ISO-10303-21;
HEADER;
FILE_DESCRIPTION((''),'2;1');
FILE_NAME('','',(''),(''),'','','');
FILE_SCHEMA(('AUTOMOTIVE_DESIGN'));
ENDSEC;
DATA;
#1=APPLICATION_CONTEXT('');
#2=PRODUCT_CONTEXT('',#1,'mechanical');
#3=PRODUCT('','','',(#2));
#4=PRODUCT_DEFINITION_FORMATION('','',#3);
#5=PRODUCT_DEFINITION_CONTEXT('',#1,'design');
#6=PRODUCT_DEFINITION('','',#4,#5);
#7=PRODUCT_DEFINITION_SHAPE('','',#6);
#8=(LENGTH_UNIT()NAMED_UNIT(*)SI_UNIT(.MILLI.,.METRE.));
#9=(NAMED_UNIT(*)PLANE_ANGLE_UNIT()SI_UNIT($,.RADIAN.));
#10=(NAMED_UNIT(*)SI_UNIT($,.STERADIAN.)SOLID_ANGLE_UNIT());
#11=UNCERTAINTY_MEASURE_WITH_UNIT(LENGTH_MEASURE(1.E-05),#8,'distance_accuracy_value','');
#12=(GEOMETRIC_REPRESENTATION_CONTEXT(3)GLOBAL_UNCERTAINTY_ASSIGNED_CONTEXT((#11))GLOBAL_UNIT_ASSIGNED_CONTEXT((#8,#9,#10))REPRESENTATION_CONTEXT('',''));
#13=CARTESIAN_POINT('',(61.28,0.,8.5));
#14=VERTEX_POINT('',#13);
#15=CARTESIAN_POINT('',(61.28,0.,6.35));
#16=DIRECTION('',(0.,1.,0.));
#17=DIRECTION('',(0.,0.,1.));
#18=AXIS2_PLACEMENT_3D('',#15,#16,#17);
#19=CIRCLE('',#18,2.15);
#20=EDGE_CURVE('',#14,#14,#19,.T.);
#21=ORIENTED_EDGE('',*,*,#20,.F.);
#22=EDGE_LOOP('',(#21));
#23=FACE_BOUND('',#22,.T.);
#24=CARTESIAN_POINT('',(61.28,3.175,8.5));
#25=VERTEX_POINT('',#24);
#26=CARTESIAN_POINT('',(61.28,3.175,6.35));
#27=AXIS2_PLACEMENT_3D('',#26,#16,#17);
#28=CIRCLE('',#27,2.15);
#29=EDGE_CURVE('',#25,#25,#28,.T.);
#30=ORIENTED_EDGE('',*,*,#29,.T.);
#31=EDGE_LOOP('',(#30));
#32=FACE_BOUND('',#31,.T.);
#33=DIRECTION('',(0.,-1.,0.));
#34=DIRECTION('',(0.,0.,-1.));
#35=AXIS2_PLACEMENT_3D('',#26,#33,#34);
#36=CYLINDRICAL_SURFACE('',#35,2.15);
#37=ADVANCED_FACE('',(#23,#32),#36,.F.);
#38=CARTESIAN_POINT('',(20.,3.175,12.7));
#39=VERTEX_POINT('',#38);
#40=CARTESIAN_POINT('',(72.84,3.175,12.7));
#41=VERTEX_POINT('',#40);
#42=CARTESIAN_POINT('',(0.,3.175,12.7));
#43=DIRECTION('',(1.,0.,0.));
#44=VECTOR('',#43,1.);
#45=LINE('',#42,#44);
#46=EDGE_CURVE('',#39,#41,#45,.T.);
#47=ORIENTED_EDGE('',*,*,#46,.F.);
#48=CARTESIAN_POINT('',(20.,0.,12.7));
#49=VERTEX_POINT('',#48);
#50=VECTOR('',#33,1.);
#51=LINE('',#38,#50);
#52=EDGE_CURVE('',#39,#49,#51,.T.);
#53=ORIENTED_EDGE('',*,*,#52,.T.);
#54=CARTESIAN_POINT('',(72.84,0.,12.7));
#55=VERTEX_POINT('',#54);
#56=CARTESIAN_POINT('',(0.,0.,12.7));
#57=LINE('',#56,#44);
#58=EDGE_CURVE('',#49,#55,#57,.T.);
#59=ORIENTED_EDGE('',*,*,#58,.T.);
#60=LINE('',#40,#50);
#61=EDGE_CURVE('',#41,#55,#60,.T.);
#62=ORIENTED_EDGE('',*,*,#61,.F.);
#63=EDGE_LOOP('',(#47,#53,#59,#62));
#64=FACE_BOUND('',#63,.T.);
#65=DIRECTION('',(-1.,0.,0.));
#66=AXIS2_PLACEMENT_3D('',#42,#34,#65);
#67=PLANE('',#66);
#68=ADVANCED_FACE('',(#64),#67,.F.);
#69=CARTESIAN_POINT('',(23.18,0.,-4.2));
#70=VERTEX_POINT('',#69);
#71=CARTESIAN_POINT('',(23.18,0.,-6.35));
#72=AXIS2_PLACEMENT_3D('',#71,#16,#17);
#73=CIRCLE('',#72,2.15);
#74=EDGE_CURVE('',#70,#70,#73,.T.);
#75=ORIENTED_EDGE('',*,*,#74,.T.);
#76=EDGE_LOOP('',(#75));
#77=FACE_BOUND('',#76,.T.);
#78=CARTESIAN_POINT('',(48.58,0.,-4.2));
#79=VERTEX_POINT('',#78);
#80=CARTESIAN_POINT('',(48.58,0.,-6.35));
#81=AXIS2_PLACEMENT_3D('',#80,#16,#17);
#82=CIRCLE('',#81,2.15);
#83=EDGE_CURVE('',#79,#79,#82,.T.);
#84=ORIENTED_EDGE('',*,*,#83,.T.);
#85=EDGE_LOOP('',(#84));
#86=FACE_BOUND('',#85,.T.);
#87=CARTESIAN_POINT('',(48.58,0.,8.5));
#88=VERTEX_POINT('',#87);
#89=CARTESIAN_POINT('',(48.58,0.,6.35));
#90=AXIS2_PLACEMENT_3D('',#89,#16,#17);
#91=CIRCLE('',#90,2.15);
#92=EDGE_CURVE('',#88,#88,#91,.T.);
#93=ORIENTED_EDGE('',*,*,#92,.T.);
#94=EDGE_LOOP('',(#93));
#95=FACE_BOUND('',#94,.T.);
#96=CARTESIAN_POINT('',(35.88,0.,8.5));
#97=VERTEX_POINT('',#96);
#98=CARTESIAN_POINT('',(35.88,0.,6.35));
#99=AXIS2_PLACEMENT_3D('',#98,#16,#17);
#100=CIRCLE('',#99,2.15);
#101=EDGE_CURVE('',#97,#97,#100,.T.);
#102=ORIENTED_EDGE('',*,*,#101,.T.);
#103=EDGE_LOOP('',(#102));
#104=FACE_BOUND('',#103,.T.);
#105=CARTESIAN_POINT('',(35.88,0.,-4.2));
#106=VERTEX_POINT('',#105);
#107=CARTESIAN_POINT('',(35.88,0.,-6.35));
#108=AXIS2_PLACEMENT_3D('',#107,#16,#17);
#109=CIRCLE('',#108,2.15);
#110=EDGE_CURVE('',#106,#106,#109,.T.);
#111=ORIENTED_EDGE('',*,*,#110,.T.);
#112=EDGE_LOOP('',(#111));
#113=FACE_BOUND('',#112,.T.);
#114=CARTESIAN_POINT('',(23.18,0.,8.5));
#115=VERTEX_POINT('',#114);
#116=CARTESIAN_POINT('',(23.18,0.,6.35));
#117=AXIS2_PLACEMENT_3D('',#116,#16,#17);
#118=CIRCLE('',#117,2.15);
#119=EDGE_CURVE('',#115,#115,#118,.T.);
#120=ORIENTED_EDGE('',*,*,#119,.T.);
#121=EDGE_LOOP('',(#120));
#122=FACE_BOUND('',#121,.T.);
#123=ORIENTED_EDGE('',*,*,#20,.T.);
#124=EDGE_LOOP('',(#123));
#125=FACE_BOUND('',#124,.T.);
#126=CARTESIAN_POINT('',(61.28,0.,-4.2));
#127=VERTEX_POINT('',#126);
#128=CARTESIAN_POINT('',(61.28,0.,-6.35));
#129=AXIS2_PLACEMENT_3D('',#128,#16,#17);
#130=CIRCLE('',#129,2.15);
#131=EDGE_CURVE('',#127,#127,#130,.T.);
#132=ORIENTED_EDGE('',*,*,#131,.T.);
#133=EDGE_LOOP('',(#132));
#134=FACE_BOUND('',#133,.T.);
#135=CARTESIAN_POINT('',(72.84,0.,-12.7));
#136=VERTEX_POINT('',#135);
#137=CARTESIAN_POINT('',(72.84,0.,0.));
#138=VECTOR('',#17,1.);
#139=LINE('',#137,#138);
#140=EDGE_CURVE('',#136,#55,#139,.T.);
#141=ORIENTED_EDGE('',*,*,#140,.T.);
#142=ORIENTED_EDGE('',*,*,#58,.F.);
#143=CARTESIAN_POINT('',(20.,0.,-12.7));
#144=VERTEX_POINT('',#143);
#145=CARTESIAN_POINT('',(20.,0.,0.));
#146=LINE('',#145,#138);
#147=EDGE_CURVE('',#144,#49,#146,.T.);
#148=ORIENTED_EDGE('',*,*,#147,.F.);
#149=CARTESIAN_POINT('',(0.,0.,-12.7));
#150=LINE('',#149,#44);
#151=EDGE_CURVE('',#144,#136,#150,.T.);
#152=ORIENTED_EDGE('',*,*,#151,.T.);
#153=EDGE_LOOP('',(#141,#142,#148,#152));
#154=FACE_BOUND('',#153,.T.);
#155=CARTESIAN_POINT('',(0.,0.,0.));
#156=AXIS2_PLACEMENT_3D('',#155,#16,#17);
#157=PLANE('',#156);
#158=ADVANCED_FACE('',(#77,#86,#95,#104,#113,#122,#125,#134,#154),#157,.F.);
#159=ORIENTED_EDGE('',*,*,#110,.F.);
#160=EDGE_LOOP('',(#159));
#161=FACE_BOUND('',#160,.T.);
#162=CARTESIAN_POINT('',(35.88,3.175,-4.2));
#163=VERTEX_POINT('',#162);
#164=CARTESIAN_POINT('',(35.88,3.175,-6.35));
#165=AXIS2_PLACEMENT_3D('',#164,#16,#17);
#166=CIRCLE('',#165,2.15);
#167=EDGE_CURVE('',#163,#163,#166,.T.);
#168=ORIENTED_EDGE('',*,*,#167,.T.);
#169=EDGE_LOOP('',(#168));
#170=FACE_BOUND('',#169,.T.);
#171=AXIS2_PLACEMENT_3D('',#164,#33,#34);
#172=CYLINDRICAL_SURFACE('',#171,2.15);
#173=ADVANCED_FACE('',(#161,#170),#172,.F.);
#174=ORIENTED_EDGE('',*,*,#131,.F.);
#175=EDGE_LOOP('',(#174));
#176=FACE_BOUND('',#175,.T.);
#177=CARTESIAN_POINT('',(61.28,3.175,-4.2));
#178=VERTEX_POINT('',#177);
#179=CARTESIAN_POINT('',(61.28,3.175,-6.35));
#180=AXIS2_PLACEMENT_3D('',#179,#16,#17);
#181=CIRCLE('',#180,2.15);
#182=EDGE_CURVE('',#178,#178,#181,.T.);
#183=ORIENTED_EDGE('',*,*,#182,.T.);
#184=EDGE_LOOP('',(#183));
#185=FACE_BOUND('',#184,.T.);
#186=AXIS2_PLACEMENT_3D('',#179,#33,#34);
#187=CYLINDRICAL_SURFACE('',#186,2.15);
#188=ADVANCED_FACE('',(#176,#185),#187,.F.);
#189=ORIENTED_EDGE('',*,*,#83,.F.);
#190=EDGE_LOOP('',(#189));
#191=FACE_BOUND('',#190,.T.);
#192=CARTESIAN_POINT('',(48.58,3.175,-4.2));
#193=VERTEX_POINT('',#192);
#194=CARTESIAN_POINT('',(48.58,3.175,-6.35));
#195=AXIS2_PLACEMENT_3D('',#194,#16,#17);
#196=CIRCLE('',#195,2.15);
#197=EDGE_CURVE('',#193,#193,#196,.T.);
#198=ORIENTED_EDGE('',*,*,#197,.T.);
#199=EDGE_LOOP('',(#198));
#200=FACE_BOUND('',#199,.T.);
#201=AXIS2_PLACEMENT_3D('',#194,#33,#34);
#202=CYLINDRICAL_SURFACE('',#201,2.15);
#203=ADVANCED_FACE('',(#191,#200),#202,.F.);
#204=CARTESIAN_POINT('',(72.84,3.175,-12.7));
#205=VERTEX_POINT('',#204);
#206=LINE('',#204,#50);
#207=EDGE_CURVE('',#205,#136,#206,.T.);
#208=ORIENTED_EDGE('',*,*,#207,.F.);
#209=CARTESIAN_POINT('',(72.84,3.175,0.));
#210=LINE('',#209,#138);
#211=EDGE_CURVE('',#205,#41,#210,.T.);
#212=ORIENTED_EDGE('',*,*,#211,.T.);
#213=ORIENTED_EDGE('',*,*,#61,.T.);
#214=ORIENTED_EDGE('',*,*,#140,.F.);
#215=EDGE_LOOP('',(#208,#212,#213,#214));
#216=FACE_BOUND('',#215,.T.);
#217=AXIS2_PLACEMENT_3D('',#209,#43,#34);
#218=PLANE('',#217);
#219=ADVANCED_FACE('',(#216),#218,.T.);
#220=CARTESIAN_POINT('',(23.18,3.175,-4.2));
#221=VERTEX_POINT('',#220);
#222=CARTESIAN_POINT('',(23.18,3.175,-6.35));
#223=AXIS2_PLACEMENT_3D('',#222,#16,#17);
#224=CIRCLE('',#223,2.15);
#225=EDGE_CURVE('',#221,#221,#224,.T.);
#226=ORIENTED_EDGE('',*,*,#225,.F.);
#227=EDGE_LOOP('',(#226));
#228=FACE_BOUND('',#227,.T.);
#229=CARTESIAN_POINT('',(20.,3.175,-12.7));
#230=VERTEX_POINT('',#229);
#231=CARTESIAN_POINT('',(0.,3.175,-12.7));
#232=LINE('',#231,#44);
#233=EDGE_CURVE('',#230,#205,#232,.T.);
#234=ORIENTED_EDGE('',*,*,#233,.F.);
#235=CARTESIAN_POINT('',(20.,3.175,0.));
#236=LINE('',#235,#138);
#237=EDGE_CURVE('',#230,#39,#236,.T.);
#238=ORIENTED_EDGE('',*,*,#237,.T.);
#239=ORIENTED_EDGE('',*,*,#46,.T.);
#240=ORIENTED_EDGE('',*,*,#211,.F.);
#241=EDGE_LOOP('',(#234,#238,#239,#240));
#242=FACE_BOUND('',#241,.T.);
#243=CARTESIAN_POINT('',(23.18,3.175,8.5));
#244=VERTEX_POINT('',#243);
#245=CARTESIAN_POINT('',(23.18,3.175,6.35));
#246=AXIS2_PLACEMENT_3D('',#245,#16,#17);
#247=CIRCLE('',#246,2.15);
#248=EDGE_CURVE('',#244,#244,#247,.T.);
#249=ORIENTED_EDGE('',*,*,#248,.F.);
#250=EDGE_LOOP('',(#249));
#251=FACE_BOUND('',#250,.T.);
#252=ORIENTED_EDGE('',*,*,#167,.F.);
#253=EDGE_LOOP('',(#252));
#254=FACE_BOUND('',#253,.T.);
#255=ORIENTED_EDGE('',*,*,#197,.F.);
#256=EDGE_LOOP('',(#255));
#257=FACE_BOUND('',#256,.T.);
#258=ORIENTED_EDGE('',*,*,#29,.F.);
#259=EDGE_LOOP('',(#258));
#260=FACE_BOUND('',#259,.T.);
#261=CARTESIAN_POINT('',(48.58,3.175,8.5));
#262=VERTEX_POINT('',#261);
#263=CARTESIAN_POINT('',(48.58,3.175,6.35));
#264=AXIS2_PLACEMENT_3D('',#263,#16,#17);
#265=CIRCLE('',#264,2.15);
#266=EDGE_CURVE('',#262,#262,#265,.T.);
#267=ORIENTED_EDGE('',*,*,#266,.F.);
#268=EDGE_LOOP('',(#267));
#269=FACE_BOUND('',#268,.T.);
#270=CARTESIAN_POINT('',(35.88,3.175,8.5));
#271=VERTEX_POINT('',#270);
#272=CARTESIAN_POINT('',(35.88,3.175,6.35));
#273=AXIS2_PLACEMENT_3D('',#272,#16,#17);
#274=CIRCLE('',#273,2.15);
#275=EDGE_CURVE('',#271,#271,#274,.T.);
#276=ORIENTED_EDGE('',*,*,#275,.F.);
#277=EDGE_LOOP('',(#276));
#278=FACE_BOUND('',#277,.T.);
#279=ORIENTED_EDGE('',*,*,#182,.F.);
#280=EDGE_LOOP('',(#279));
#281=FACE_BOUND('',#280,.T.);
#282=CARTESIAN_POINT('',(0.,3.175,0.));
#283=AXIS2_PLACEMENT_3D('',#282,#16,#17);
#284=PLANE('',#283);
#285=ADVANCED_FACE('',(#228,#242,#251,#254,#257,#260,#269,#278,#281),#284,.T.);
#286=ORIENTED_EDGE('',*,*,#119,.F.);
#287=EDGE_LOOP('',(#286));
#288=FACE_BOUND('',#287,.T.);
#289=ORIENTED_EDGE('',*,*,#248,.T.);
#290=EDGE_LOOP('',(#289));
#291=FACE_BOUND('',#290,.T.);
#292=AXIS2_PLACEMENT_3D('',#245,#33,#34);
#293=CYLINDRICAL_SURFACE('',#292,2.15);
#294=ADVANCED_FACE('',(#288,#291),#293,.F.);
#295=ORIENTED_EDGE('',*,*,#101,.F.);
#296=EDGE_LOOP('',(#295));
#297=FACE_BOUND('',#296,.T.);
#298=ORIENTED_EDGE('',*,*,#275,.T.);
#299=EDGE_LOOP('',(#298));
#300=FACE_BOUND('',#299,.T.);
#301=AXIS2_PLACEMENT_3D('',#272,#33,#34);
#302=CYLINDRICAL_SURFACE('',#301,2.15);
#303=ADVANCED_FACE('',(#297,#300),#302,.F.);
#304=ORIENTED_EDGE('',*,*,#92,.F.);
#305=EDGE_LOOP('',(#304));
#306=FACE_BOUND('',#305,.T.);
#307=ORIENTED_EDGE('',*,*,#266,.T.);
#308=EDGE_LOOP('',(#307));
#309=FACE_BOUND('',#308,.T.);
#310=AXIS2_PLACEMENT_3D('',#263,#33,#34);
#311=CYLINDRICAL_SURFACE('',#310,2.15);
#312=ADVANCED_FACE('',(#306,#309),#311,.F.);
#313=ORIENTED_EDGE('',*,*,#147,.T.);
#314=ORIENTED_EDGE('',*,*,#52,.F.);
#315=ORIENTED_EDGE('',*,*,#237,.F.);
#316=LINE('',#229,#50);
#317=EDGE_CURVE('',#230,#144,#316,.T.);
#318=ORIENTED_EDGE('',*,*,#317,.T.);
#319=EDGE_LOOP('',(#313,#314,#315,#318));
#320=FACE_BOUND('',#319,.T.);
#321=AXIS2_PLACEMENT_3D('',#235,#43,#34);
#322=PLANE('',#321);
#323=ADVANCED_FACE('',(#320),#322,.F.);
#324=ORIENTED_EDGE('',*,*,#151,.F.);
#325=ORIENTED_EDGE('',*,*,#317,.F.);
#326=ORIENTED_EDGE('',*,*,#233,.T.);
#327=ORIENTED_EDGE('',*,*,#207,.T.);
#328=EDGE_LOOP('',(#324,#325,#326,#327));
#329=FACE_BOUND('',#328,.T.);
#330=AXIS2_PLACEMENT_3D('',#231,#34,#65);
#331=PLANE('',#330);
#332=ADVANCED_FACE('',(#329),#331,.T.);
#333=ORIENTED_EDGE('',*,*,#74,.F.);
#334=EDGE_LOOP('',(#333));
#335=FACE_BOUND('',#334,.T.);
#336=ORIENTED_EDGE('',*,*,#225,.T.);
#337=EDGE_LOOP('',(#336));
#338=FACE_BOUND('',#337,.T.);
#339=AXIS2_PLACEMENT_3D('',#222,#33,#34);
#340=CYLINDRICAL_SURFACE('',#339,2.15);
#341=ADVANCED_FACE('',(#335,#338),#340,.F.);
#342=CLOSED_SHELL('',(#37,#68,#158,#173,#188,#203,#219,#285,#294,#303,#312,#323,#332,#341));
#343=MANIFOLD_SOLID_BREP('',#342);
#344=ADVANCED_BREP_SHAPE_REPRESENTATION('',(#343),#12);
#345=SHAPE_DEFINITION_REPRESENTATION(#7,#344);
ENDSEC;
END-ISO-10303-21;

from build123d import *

# Parameters (mm, degrees)
SKETCH1_W           = 52.84
SKETCH1_H           = 25.4
SKETCH1_R           = 2.15
BOSS_EXTRUDE2_DEPTH = 3.175


with BuildPart() as part:
    # Sketch1 → Boss-Extrude2 (new body)
    with BuildSketch(Plane(origin=(0, 0, 0), x_dir=(1, 0, 0), z_dir=(0, 1, 0))):
        with Locations((46.42, 0)):
            Rectangle(SKETCH1_W, SKETCH1_H)
        with Locations(Location((23.18, -6.35, 0), (0, 0, 270))):
            Circle(SKETCH1_R, mode=Mode.SUBTRACT)
        with Locations(Location((35.88, -6.35, 0), (0, 0, 270))):
            Circle(SKETCH1_R, mode=Mode.SUBTRACT)
        with Locations(Location((48.58, -6.35, 0), (0, 0, 270))):
            Circle(SKETCH1_R, mode=Mode.SUBTRACT)
        with Locations(Location((61.28, -6.35, 0), (0, 0, 270))):
            Circle(SKETCH1_R, mode=Mode.SUBTRACT)
        with Locations(Location((23.18, 6.35, 0), (0, 0, 270))):
            Circle(SKETCH1_R, mode=Mode.SUBTRACT)
        with Locations(Location((35.88, 6.35, 0), (0, 0, 270))):
            Circle(SKETCH1_R, mode=Mode.SUBTRACT)
        with Locations(Location((48.58, 6.35, 0), (0, 0, 270))):
            Circle(SKETCH1_R, mode=Mode.SUBTRACT)
        with Locations(Location((61.28, 6.35, 0), (0, 0, 270))):
            Circle(SKETCH1_R, mode=Mode.SUBTRACT)
    extrude(amount=BOSS_EXTRUDE2_DEPTH)


solid = part.part
